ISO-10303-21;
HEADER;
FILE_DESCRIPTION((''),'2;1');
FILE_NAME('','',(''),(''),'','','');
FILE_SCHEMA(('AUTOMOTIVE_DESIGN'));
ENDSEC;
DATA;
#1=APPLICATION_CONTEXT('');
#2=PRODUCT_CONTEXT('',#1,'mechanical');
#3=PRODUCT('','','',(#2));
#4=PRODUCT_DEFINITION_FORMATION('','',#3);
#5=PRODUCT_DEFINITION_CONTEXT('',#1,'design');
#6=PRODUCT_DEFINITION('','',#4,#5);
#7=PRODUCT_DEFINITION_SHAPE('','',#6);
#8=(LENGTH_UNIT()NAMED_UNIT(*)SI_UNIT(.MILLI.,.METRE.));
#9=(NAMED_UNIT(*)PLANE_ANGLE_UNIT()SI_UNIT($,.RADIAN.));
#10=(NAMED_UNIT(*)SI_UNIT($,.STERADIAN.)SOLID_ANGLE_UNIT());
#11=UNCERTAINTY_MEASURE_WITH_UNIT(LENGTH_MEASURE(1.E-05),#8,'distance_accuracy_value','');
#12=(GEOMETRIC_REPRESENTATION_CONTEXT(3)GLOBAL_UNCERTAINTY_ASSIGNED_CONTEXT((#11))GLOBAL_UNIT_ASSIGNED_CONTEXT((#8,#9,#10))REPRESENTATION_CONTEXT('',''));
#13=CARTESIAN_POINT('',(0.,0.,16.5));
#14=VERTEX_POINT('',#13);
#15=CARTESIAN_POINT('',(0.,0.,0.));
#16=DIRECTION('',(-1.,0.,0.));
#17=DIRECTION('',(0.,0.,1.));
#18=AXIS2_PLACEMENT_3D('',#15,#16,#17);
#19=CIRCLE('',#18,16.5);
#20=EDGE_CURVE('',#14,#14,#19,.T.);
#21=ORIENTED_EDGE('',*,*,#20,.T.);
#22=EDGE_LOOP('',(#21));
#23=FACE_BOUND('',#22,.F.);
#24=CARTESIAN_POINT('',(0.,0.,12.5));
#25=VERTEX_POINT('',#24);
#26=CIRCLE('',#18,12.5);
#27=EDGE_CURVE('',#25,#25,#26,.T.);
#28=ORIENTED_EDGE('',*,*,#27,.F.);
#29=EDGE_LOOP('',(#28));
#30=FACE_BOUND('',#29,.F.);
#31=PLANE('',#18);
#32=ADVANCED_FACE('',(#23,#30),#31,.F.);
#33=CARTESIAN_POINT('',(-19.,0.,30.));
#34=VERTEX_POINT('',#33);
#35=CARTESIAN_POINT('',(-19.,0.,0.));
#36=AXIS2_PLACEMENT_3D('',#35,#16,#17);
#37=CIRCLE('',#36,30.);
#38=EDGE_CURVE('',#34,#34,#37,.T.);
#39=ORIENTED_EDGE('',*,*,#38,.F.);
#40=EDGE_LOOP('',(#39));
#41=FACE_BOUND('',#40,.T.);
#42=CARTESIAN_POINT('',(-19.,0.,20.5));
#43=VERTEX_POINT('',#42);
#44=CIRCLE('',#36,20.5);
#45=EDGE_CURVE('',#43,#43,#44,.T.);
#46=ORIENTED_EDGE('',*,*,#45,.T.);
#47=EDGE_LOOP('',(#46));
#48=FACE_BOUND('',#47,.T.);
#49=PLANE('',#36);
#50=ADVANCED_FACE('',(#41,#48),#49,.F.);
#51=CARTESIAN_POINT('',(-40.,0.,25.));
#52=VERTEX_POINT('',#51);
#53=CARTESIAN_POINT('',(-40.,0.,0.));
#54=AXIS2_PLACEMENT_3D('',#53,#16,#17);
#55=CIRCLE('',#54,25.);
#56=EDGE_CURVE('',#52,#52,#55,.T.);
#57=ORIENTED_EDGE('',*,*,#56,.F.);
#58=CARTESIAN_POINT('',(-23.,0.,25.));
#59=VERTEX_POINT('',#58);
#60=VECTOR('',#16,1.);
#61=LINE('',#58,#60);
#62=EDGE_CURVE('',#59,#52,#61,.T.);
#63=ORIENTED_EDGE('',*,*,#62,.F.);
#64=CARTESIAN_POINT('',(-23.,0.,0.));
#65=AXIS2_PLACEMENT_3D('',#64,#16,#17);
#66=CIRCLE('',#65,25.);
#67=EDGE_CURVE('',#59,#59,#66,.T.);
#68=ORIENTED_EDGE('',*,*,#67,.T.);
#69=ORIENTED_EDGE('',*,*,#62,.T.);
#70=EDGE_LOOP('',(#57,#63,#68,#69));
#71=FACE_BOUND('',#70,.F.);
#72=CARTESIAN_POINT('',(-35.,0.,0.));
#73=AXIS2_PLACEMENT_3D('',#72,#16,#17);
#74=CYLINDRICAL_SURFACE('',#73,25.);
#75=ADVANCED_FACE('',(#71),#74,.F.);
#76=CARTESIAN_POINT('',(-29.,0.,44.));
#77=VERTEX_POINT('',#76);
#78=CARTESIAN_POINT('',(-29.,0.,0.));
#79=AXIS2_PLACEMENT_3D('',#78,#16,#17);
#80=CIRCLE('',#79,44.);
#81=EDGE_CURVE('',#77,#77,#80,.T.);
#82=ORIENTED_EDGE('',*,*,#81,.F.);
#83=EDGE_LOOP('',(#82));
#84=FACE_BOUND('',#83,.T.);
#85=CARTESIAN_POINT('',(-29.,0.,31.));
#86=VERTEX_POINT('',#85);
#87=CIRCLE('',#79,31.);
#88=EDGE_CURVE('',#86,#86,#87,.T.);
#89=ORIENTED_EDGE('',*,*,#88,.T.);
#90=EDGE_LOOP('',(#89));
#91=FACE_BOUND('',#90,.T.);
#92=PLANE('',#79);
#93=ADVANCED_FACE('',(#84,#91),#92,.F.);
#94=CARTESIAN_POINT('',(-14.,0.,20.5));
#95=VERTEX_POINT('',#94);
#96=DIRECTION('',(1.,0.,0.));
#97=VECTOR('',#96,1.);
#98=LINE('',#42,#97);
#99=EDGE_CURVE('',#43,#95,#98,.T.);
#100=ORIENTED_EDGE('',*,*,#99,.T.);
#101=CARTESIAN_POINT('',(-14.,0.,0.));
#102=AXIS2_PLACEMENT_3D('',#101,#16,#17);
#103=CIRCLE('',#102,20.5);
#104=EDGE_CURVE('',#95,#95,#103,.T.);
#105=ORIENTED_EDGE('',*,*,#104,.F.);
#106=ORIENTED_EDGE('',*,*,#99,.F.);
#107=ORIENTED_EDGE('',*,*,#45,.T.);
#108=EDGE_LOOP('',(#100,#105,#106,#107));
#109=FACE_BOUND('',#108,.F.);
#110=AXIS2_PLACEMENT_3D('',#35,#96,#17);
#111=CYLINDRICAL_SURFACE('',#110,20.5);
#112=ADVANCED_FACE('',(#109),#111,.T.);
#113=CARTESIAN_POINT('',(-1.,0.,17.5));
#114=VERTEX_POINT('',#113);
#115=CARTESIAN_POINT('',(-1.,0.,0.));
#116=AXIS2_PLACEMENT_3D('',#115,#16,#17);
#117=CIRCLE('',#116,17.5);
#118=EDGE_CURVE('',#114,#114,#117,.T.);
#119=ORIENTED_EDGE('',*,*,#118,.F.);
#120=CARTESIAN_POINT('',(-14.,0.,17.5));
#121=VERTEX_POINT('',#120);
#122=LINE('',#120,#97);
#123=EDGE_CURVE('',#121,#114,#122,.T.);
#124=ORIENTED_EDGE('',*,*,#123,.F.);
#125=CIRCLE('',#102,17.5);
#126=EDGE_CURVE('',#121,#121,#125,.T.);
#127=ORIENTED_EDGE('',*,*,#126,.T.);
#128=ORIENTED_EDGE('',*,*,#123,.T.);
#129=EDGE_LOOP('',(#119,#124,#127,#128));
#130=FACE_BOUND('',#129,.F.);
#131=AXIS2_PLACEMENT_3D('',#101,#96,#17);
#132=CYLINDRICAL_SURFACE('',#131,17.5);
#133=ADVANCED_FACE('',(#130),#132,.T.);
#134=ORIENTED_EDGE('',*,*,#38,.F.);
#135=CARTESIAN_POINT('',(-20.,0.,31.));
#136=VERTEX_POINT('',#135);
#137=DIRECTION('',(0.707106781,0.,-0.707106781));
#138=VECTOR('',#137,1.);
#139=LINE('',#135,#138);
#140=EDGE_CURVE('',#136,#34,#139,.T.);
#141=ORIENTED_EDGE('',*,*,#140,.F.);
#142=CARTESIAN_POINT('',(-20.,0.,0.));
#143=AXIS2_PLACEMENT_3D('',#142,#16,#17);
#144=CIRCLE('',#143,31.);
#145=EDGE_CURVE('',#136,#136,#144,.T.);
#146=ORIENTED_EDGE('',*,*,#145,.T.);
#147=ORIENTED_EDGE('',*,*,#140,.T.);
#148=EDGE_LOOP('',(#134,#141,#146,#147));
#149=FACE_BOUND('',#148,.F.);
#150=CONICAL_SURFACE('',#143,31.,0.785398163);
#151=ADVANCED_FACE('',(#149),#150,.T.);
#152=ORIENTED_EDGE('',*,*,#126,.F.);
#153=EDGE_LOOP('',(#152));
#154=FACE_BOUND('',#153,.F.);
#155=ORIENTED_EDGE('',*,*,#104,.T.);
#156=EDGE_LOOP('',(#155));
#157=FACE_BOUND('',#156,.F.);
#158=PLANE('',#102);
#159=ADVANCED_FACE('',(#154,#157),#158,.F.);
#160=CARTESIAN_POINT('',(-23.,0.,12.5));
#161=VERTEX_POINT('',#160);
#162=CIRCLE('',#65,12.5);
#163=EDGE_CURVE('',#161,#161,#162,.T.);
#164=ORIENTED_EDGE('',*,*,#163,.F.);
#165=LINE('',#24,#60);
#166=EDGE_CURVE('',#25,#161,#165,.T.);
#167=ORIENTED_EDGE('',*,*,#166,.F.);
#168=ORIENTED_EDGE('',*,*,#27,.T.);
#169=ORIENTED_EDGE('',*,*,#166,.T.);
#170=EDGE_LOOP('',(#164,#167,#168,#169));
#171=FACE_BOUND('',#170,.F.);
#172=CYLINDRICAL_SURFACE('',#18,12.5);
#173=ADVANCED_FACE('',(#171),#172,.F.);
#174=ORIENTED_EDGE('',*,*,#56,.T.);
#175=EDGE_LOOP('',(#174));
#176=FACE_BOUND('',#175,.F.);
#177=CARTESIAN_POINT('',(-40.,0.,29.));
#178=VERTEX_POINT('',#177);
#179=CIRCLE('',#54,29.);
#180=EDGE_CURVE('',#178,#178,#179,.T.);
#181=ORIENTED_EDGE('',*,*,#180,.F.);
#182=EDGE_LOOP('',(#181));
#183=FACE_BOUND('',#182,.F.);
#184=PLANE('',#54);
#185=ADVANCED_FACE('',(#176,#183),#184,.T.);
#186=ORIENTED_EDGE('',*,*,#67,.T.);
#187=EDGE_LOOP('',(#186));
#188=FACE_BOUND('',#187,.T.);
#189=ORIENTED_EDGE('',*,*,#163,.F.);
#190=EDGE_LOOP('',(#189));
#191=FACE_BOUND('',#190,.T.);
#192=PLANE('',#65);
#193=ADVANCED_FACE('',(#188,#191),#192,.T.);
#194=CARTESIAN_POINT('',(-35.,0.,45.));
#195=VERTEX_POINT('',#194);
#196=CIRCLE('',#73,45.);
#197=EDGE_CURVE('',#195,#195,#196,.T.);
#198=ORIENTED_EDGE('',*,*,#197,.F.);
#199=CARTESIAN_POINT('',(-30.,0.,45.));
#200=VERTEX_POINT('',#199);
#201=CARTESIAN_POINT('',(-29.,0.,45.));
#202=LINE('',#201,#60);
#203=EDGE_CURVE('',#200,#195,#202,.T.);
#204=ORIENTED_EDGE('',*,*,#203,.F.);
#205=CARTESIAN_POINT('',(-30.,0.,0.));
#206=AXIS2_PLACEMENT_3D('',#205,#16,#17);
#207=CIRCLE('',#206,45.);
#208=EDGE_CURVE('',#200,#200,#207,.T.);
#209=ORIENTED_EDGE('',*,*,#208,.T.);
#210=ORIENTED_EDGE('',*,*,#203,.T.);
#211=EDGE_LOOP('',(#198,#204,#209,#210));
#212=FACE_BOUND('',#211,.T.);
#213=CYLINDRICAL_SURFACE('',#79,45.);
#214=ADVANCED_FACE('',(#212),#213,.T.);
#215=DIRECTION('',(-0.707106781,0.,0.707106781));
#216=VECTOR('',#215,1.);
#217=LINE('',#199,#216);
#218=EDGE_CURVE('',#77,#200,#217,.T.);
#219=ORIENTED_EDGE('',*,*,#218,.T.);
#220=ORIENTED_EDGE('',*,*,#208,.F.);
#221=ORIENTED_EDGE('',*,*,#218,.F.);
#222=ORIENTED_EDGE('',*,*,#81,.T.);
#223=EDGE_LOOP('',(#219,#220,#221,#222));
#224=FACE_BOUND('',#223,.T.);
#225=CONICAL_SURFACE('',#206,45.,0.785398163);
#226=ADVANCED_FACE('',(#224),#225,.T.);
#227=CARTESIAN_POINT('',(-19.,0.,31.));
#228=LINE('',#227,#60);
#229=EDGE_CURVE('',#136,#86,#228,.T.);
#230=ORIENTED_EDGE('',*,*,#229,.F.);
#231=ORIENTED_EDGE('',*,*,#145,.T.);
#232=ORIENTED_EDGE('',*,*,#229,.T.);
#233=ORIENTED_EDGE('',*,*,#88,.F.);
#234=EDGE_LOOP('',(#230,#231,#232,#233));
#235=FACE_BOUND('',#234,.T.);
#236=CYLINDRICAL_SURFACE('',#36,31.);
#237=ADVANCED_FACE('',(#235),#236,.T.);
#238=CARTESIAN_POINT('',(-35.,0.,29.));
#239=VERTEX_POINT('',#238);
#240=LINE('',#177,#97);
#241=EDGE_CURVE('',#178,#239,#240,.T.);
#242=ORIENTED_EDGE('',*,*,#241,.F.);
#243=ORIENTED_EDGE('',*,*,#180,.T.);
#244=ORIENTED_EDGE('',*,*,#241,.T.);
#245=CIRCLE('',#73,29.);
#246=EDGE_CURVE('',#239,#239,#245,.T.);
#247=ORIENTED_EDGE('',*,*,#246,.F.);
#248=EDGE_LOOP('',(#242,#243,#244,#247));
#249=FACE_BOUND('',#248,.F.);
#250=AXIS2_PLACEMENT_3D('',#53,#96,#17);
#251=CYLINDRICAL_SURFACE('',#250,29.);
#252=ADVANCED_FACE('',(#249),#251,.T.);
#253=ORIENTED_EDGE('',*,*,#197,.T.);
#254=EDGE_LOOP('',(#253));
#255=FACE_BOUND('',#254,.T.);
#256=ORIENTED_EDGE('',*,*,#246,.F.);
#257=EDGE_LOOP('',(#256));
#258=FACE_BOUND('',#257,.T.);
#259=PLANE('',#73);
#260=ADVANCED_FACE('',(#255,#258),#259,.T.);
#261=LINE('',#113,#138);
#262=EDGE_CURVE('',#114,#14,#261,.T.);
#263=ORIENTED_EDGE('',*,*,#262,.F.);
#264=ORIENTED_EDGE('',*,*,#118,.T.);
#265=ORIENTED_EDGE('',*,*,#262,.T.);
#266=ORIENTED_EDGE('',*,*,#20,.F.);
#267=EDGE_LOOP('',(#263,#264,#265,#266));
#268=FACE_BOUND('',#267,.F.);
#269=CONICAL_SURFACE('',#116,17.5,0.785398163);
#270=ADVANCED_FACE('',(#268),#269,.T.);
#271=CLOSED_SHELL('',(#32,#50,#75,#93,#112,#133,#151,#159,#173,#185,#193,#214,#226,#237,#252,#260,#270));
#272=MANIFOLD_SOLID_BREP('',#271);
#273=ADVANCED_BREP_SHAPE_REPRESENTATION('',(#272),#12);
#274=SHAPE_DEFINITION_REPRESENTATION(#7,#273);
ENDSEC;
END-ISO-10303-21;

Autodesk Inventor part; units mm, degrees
ref_plane "YZ Plane" through (0, 0, 0) normal (1, 0, 0) x (0, 1, 0)
ref_plane "XZ Plane" through (0, 0, 0) normal (0, 1, 0) x (-1, 0, 0)
ref_plane "XY Plane" through (0, 0, 0) normal (0, 0, 1) x (1, 0, 0)
sketch "Sketch1" plane through (0, 0, 0) normal (0, 1, 0) x (-1, 0, 0)
  line L0 (0, 0) -> (89.1742, 0)
  line L1 (29, 31) -> (29, 45)
  line L2 (29, 45) -> (35, 45)
  line L3 (35, 45) -> (35, 25)
  line L4 (14, 17.5) -> (0, 17.5)
  line L5 (0, 12.5) -> (23, 12.5)
  line L6 (19, 20.5) -> (19, 31)
  line L7 (19, 31) -> (29, 31)
  line L8 (35, 25) -> (23, 25)
  line L9 (23, 25) -> (23, 12.5)
  line L10 (0, 17.5) -> (0, 12.5)
  line L11 (19, 20.5) -> (14, 20.5)
  line L12 (14, 20.5) -> (14, 17.5)
  line L13 (35, 25) -> (40, 25)
  line L14 (40, 25) -> (40, 29)
  line L15 (40, 29) -> (35, 29)
  dimension "d3" = 50
  dimension "d4" = 35
  dimension "d5" = 5
  dimension "d6" = 12
  dimension "d7" = 6
  dimension "d8" = 4
  dimension "d9" = 35
  dimension "d10" = 6
  dimension "d11" = 20
  dimension "d12" = 6
  dimension "d14" = 5
  dimension "d15" = 3
  dimension "d22" = 4
  dimension "d23" = 5
revolve "Revolution1" add sketch "Sketch1" angle 360 about axis through (0, 0, 0) along (-1, 0, 0)
chamfer "Chamfer2" distance 1 angle 45 3 edges at (-29, 0, -45) (-19, 0, -31) (0, 0, -17.5)
properties part number "2 nd output shaft" material "Steel, Mild"
